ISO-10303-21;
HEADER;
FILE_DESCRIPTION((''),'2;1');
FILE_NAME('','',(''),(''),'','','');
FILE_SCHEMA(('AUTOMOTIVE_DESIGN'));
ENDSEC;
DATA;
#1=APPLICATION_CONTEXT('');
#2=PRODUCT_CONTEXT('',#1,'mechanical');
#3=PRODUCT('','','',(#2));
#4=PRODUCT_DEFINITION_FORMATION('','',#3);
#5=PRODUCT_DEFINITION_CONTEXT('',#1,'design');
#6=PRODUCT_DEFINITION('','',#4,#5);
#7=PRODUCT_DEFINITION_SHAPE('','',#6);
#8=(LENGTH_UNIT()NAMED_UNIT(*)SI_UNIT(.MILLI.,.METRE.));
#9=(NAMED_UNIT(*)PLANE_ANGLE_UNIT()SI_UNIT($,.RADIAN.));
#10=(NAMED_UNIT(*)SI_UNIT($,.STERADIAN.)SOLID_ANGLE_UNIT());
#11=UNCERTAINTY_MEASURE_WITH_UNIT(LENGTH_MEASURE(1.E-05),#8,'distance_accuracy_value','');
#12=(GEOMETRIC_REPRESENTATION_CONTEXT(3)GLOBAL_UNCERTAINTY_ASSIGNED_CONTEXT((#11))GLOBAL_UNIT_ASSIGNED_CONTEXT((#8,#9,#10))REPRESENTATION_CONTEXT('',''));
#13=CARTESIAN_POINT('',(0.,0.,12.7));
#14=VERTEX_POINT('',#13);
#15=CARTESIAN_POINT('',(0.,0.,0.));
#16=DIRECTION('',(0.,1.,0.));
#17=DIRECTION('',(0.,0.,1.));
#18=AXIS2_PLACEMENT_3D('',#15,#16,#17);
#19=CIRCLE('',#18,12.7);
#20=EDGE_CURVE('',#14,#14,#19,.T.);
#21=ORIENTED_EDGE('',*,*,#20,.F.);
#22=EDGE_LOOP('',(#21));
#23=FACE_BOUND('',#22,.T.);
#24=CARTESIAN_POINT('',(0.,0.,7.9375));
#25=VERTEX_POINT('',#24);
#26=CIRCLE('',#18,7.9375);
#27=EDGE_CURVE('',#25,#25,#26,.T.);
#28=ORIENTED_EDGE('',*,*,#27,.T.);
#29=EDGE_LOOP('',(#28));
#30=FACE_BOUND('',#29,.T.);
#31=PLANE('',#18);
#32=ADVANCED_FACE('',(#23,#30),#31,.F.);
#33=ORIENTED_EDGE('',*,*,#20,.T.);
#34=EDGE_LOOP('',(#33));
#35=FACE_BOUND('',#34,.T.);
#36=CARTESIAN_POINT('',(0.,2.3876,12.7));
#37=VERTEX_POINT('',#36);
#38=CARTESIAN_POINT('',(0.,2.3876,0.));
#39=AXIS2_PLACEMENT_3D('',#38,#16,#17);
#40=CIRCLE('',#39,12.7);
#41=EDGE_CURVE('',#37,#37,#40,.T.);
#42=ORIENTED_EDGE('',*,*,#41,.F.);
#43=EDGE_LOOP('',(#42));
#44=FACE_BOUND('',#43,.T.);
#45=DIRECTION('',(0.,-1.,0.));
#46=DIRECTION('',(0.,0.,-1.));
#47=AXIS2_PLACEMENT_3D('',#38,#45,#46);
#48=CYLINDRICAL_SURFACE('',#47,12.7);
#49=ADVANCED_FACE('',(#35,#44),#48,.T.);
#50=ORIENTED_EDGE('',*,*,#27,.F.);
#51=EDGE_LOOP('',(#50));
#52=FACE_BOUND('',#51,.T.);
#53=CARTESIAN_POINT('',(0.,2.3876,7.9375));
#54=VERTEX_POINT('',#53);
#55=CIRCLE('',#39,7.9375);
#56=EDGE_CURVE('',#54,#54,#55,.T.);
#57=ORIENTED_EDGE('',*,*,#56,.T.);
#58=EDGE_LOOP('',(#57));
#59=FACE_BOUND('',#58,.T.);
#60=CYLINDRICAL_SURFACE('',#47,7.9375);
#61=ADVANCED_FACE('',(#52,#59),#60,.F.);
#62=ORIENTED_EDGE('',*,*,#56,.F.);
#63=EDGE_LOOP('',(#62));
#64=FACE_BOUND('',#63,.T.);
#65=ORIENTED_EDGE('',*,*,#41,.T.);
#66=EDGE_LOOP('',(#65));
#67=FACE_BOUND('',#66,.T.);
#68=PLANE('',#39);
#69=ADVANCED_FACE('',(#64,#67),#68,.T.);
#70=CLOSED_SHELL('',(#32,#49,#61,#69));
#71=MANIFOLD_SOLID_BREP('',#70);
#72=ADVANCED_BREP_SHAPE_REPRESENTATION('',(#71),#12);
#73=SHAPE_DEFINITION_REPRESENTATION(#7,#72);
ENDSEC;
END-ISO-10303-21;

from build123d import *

# Parameters (mm, degrees)
SKETCH1_R           = 12.7
SKETCH1_R_2         = 7.9375
BOSS_EXTRUDE1_DEPTH = 2.3876


with BuildPart() as part:
    # Sketch1 → Boss-Extrude1 (new body)
    with BuildSketch(Plane(origin=(0, 0, 0), x_dir=(1, 0, 0), z_dir=(0, 1, 0))):
        Circle(SKETCH1_R)
        Circle(SKETCH1_R_2, mode=Mode.SUBTRACT)
    extrude(amount=BOSS_EXTRUDE1_DEPTH)


solid = part.part
